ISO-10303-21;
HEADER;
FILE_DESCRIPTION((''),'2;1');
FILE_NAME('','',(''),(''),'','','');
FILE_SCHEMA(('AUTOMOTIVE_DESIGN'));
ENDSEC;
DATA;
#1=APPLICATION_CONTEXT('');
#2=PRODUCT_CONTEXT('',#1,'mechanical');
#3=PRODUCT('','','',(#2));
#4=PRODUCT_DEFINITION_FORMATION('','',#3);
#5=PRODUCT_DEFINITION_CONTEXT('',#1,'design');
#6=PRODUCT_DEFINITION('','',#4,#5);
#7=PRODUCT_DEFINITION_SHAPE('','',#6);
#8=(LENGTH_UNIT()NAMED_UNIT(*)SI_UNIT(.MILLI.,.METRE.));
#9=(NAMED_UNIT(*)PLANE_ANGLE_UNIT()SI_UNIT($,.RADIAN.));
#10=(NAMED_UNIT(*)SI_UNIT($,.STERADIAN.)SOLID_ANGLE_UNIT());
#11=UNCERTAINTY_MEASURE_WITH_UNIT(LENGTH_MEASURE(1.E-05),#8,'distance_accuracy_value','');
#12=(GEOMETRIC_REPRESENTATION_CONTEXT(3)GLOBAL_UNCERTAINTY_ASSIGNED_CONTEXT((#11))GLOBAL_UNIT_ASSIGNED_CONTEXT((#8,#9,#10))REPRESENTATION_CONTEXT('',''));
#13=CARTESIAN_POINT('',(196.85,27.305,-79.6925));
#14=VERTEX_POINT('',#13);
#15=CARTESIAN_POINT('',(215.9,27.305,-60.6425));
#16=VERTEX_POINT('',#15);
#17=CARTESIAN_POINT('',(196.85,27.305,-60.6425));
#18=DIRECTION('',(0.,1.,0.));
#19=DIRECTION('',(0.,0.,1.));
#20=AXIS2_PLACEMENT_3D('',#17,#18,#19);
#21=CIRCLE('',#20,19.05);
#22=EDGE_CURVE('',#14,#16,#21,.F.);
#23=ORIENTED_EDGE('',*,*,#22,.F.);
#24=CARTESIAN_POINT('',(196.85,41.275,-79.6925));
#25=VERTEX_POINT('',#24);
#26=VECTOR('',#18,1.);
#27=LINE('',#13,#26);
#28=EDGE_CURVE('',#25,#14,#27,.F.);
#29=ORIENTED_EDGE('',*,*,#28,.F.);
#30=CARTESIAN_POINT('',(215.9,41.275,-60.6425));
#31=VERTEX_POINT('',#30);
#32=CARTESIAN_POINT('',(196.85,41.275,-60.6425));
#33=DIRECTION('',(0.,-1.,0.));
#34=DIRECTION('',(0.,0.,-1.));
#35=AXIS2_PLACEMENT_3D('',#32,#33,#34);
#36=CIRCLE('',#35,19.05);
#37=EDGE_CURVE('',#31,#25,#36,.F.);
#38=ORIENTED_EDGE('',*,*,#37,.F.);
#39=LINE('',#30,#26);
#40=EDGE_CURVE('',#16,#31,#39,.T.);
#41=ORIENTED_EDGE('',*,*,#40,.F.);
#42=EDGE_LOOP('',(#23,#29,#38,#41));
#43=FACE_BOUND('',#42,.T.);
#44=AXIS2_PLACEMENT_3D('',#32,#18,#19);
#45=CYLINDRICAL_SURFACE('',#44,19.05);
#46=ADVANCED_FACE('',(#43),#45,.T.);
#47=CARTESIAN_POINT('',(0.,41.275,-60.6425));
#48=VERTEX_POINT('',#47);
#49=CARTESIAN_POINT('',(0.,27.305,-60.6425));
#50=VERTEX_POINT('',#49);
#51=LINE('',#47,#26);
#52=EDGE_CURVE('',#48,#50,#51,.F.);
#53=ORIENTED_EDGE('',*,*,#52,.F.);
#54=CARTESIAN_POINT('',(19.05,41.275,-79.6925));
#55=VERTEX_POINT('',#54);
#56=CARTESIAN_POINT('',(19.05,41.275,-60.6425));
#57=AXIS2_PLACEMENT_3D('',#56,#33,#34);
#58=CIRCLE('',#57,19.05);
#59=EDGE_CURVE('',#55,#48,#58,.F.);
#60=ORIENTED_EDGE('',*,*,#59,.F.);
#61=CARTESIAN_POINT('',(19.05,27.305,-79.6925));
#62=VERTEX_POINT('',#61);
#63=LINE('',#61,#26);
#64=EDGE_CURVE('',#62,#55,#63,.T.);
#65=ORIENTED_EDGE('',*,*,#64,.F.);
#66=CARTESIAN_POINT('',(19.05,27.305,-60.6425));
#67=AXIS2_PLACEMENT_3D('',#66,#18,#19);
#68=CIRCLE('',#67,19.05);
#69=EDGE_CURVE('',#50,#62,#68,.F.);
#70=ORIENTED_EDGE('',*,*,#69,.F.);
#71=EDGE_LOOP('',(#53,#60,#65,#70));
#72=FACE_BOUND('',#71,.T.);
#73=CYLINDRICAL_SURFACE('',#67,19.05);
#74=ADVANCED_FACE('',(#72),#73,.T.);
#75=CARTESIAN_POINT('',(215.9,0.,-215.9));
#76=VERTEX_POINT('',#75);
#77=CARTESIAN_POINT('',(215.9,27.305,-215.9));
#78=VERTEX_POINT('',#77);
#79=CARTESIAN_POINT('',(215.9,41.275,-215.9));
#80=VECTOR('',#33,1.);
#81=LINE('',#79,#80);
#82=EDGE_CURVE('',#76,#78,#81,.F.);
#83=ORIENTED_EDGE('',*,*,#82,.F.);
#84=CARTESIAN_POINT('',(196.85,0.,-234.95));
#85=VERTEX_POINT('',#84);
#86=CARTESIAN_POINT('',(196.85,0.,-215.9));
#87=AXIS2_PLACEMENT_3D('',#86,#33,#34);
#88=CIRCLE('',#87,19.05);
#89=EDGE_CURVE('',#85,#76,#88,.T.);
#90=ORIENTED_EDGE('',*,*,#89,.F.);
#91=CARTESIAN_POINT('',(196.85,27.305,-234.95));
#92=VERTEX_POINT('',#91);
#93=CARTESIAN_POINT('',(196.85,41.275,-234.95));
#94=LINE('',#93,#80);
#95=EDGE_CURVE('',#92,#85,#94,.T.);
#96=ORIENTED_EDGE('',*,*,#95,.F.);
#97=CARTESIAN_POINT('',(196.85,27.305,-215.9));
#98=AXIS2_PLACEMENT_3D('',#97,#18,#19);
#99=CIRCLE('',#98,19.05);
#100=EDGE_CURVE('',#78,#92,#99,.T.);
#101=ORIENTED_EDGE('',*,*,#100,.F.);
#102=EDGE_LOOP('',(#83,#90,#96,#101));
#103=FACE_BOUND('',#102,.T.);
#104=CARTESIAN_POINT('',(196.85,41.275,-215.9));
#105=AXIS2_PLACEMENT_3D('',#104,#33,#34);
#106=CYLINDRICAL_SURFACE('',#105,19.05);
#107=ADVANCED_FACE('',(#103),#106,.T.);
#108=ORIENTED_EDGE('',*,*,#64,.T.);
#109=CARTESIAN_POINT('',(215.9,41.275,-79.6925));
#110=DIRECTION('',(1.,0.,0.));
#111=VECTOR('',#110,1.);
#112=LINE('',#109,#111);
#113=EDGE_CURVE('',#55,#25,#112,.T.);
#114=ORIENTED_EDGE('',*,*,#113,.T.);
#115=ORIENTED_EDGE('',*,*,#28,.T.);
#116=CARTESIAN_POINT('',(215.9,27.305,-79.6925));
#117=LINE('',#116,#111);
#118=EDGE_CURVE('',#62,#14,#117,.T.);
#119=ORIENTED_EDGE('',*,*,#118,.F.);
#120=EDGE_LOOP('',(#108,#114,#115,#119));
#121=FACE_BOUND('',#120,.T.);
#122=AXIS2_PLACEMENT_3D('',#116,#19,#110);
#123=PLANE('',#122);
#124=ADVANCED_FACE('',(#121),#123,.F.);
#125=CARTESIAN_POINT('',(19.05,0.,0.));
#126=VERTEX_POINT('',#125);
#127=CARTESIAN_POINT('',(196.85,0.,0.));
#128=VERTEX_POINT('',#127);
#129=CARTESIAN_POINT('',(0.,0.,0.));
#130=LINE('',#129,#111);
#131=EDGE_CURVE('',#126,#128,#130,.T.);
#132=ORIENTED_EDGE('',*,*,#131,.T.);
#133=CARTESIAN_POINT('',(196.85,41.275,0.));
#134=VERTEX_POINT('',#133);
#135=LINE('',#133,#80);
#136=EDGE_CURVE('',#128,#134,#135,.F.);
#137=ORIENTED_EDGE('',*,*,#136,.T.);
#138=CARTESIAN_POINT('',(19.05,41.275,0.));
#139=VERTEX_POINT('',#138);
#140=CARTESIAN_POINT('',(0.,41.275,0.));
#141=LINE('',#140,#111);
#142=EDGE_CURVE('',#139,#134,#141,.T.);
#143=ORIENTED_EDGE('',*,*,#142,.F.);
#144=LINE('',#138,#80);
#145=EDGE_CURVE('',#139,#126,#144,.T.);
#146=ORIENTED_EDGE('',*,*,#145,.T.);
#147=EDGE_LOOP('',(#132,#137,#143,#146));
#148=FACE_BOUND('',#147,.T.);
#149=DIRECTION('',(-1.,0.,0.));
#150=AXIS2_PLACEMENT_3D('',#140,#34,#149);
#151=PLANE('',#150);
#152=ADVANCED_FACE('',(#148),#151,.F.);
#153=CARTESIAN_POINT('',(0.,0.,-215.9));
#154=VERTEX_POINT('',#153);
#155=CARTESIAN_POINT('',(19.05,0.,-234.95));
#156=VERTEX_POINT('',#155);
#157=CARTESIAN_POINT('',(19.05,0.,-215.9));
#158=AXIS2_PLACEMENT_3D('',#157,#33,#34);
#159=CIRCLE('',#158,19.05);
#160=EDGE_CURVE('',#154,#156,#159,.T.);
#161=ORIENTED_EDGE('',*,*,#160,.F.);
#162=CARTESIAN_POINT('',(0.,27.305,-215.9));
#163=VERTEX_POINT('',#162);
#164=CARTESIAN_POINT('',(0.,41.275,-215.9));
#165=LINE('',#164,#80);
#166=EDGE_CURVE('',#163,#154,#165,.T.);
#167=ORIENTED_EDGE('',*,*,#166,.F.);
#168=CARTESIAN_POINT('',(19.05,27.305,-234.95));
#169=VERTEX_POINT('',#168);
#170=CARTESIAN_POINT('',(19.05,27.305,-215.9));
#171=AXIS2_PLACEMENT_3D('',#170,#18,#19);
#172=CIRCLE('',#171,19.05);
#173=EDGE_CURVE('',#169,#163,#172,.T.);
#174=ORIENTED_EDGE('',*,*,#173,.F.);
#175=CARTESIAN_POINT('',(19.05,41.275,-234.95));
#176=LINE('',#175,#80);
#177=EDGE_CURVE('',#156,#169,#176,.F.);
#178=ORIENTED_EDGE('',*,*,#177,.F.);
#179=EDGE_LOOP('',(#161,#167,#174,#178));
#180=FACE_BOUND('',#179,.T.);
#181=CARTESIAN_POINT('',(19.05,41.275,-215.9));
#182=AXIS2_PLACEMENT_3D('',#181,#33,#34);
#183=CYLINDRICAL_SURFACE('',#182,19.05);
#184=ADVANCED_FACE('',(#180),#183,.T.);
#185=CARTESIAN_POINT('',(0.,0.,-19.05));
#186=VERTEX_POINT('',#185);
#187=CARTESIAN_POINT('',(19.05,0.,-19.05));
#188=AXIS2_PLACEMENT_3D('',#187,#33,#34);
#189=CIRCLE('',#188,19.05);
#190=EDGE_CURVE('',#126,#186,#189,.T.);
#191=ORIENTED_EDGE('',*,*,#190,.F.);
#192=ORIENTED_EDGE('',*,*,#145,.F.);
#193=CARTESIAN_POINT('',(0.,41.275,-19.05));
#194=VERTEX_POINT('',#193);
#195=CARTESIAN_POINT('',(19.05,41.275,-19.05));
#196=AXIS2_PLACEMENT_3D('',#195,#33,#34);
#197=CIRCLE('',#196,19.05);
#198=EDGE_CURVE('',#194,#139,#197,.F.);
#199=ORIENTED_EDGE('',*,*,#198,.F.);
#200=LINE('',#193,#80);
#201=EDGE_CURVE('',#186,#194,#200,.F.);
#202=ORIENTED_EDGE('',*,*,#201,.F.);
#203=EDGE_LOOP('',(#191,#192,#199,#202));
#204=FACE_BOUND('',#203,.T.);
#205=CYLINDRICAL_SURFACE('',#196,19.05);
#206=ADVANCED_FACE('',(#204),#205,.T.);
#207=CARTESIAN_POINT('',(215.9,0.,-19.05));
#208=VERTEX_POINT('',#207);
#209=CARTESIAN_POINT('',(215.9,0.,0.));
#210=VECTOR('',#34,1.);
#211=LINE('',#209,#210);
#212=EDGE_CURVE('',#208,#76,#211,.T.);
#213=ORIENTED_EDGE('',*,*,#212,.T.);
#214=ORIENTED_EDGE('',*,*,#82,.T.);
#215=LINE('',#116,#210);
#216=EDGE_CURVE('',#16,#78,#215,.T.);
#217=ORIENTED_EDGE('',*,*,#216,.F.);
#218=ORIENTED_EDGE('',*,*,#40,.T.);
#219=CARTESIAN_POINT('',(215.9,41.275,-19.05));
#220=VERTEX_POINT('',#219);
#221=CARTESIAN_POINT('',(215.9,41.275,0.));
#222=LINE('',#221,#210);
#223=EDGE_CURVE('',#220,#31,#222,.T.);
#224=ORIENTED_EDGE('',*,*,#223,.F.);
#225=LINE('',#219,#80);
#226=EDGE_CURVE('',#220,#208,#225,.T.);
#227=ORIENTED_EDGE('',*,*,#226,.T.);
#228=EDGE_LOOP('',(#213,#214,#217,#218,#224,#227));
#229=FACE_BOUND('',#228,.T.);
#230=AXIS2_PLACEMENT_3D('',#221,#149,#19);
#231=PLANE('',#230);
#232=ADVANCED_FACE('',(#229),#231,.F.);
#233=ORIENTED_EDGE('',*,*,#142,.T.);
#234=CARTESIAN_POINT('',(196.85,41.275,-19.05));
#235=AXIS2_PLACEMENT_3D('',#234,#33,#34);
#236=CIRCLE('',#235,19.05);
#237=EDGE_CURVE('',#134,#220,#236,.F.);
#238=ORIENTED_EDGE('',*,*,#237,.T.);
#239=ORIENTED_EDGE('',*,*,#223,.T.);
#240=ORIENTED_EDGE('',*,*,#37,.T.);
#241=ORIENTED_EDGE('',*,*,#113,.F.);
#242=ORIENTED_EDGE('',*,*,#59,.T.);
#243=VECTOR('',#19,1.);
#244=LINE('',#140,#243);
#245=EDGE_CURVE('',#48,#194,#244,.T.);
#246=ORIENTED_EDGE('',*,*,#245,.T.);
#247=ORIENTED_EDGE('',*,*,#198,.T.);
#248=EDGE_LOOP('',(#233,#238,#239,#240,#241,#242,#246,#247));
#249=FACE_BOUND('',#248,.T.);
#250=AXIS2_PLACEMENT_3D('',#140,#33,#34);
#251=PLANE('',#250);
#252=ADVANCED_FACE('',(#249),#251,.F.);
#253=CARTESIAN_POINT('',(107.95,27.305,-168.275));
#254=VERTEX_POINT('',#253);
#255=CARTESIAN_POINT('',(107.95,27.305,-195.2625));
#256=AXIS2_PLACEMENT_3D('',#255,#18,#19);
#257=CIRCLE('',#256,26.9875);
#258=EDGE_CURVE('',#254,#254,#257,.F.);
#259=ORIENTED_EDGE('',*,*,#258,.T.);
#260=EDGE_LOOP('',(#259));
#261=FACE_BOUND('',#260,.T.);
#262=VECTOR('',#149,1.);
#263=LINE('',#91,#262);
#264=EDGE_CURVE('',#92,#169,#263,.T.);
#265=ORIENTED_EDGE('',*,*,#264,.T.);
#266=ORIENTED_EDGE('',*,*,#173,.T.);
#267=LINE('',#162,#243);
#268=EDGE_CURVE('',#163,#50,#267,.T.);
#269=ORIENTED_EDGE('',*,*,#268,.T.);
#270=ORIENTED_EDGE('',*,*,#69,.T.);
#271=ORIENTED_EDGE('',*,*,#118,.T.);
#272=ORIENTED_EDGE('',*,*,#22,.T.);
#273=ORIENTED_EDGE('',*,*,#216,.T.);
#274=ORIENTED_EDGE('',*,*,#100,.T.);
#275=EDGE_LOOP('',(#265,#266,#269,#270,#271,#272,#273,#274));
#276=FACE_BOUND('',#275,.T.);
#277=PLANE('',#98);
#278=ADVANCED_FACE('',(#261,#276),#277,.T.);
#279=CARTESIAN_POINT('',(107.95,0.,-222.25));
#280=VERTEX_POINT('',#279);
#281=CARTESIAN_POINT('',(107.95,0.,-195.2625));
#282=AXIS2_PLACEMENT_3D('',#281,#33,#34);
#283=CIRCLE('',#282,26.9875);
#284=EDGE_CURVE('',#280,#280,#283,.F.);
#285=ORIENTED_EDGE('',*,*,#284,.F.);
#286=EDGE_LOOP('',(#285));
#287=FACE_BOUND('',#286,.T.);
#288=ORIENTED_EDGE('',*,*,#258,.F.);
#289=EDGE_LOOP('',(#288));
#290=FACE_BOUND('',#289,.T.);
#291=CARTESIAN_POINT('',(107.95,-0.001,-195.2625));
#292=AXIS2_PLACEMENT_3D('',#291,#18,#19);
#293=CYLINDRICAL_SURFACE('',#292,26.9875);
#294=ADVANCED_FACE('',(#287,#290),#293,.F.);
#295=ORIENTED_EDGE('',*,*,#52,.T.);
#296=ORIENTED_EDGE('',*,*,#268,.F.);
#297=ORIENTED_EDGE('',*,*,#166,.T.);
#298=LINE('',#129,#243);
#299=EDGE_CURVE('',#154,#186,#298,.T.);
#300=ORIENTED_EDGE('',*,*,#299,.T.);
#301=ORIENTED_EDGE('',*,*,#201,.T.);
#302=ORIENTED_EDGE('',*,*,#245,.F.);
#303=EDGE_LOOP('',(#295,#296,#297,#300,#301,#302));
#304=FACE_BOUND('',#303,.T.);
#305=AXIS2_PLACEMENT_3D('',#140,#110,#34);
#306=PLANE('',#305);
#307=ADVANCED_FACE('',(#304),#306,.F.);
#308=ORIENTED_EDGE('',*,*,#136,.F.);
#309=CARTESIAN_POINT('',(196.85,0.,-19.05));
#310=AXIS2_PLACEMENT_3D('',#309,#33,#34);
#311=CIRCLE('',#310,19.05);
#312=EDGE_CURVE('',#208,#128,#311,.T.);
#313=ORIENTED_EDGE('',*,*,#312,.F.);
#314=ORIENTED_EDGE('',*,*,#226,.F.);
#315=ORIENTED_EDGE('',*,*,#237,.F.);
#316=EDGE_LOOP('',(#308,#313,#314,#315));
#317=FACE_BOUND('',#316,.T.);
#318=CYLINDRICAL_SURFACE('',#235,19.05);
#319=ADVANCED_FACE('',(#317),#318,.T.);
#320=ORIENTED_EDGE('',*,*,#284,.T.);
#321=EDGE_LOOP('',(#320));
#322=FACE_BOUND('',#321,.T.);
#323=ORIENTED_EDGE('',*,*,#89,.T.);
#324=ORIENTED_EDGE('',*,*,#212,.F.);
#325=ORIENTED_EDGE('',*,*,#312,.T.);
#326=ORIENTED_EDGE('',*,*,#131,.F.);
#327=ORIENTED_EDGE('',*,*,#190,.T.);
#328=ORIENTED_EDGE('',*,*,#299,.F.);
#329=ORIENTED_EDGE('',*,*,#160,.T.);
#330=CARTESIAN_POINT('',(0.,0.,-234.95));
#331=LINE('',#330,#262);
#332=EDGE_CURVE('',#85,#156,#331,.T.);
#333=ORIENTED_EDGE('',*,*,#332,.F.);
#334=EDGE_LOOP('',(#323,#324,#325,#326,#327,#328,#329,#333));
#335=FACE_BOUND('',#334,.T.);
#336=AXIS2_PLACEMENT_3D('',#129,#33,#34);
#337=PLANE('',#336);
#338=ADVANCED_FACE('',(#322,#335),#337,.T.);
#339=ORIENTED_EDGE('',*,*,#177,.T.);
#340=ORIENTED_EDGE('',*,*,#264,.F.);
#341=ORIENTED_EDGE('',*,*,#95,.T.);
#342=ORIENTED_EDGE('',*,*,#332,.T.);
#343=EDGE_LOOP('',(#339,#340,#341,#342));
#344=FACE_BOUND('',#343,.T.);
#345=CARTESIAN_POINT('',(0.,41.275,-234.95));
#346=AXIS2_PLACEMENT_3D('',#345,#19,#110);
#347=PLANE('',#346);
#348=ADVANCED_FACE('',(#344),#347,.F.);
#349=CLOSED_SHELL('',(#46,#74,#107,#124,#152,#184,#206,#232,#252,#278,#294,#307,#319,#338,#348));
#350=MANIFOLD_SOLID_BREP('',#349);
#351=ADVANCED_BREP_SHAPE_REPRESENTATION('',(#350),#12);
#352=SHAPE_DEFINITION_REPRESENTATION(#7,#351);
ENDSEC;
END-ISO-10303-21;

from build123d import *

# Parameters (mm, degrees)
SKETCH1_W           = 215.9
SKETCH1_H           = 234.95
BOSS_EXTRUDE1_DEPTH = 41.275
FILLET1_R           = 19.05
CUT_EXTRUDE1_REACH  = 323.742
SKETCH3_R           = 26.9875
CUT_EXTRUDE2_DEPTH  = 13.97
FILLET2_R           = 19.05


with BuildPart() as part:
    # Sketch1 → Boss-Extrude1 (new body)
    with BuildSketch(Plane(origin=(0, 0, 0), x_dir=(1, 0, 0), z_dir=(0, 1, 0))):
        with Locations((107.95, 117.475)):
            Rectangle(SKETCH1_W, SKETCH1_H)
    extrude(amount=BOSS_EXTRUDE1_DEPTH)

    # Fillet1
    fillet1_edges = [part.edges().sort_by_distance(p)[0] for p in [
        (0, 20.6375, -234.95),
        (215.9, 20.6375, -234.95),
        (215.9, 20.6375, 0),
        (0, 20.6375, 0),
    ]]
    fillet(fillet1_edges, radius=FILLET1_R)

    # Sketch3 → Cut-Extrude1 (cut, up to next)
    with BuildSketch(Plane(origin=(0, 41.275, 0), x_dir=(1, 0, 0), z_dir=(0, 1, 0)), mode=Mode.PRIVATE) as cut_extrude1_sk1:
        with Locations(Location((107.95, 195.2625, 0), (0, 0, 270))):
            Circle(SKETCH3_R)
    cut_extrude1_tool1 = extrude(cut_extrude1_sk1.sketch, amount=-CUT_EXTRUDE1_REACH, mode=Mode.PRIVATE) & part.part
    add(cut_extrude1_tool1.solids().sort_by_distance((107.95, 41.275, -195.2625))[0], mode=Mode.SUBTRACT)

    # Sketch4 → Cut-Extrude2 (cut)
    with BuildSketch(Plane(origin=(0, 41.275, 0), x_dir=(1, 0, 0), z_dir=(0, 1, 0))):
        with BuildLine():
            Line((215.9, 79.6925), (0, 79.6925))
            Line((0, 79.6925), (0, 215.9))
            ThreePointArc((0, 215.9), (5.579615818, 229.370384182), (19.05, 234.95))
            Line((19.05, 234.95), (196.85, 234.95))
            ThreePointArc((196.85, 234.95), (210.320384182, 229.370384182), (215.9, 215.9))
            Line((215.9, 215.9), (215.9, 79.6925))
        make_face()
    extrude(amount=-CUT_EXTRUDE2_DEPTH, mode=Mode.SUBTRACT)

    # Fillet2
    fillet2_edges = [part.edges().sort_by_distance(p)[0] for p in [
        (215.9, 34.29, -79.6925),
        (0, 34.29, -79.6925),
    ]]
    fillet(fillet2_edges, radius=FILLET2_R)


solid = part.part
